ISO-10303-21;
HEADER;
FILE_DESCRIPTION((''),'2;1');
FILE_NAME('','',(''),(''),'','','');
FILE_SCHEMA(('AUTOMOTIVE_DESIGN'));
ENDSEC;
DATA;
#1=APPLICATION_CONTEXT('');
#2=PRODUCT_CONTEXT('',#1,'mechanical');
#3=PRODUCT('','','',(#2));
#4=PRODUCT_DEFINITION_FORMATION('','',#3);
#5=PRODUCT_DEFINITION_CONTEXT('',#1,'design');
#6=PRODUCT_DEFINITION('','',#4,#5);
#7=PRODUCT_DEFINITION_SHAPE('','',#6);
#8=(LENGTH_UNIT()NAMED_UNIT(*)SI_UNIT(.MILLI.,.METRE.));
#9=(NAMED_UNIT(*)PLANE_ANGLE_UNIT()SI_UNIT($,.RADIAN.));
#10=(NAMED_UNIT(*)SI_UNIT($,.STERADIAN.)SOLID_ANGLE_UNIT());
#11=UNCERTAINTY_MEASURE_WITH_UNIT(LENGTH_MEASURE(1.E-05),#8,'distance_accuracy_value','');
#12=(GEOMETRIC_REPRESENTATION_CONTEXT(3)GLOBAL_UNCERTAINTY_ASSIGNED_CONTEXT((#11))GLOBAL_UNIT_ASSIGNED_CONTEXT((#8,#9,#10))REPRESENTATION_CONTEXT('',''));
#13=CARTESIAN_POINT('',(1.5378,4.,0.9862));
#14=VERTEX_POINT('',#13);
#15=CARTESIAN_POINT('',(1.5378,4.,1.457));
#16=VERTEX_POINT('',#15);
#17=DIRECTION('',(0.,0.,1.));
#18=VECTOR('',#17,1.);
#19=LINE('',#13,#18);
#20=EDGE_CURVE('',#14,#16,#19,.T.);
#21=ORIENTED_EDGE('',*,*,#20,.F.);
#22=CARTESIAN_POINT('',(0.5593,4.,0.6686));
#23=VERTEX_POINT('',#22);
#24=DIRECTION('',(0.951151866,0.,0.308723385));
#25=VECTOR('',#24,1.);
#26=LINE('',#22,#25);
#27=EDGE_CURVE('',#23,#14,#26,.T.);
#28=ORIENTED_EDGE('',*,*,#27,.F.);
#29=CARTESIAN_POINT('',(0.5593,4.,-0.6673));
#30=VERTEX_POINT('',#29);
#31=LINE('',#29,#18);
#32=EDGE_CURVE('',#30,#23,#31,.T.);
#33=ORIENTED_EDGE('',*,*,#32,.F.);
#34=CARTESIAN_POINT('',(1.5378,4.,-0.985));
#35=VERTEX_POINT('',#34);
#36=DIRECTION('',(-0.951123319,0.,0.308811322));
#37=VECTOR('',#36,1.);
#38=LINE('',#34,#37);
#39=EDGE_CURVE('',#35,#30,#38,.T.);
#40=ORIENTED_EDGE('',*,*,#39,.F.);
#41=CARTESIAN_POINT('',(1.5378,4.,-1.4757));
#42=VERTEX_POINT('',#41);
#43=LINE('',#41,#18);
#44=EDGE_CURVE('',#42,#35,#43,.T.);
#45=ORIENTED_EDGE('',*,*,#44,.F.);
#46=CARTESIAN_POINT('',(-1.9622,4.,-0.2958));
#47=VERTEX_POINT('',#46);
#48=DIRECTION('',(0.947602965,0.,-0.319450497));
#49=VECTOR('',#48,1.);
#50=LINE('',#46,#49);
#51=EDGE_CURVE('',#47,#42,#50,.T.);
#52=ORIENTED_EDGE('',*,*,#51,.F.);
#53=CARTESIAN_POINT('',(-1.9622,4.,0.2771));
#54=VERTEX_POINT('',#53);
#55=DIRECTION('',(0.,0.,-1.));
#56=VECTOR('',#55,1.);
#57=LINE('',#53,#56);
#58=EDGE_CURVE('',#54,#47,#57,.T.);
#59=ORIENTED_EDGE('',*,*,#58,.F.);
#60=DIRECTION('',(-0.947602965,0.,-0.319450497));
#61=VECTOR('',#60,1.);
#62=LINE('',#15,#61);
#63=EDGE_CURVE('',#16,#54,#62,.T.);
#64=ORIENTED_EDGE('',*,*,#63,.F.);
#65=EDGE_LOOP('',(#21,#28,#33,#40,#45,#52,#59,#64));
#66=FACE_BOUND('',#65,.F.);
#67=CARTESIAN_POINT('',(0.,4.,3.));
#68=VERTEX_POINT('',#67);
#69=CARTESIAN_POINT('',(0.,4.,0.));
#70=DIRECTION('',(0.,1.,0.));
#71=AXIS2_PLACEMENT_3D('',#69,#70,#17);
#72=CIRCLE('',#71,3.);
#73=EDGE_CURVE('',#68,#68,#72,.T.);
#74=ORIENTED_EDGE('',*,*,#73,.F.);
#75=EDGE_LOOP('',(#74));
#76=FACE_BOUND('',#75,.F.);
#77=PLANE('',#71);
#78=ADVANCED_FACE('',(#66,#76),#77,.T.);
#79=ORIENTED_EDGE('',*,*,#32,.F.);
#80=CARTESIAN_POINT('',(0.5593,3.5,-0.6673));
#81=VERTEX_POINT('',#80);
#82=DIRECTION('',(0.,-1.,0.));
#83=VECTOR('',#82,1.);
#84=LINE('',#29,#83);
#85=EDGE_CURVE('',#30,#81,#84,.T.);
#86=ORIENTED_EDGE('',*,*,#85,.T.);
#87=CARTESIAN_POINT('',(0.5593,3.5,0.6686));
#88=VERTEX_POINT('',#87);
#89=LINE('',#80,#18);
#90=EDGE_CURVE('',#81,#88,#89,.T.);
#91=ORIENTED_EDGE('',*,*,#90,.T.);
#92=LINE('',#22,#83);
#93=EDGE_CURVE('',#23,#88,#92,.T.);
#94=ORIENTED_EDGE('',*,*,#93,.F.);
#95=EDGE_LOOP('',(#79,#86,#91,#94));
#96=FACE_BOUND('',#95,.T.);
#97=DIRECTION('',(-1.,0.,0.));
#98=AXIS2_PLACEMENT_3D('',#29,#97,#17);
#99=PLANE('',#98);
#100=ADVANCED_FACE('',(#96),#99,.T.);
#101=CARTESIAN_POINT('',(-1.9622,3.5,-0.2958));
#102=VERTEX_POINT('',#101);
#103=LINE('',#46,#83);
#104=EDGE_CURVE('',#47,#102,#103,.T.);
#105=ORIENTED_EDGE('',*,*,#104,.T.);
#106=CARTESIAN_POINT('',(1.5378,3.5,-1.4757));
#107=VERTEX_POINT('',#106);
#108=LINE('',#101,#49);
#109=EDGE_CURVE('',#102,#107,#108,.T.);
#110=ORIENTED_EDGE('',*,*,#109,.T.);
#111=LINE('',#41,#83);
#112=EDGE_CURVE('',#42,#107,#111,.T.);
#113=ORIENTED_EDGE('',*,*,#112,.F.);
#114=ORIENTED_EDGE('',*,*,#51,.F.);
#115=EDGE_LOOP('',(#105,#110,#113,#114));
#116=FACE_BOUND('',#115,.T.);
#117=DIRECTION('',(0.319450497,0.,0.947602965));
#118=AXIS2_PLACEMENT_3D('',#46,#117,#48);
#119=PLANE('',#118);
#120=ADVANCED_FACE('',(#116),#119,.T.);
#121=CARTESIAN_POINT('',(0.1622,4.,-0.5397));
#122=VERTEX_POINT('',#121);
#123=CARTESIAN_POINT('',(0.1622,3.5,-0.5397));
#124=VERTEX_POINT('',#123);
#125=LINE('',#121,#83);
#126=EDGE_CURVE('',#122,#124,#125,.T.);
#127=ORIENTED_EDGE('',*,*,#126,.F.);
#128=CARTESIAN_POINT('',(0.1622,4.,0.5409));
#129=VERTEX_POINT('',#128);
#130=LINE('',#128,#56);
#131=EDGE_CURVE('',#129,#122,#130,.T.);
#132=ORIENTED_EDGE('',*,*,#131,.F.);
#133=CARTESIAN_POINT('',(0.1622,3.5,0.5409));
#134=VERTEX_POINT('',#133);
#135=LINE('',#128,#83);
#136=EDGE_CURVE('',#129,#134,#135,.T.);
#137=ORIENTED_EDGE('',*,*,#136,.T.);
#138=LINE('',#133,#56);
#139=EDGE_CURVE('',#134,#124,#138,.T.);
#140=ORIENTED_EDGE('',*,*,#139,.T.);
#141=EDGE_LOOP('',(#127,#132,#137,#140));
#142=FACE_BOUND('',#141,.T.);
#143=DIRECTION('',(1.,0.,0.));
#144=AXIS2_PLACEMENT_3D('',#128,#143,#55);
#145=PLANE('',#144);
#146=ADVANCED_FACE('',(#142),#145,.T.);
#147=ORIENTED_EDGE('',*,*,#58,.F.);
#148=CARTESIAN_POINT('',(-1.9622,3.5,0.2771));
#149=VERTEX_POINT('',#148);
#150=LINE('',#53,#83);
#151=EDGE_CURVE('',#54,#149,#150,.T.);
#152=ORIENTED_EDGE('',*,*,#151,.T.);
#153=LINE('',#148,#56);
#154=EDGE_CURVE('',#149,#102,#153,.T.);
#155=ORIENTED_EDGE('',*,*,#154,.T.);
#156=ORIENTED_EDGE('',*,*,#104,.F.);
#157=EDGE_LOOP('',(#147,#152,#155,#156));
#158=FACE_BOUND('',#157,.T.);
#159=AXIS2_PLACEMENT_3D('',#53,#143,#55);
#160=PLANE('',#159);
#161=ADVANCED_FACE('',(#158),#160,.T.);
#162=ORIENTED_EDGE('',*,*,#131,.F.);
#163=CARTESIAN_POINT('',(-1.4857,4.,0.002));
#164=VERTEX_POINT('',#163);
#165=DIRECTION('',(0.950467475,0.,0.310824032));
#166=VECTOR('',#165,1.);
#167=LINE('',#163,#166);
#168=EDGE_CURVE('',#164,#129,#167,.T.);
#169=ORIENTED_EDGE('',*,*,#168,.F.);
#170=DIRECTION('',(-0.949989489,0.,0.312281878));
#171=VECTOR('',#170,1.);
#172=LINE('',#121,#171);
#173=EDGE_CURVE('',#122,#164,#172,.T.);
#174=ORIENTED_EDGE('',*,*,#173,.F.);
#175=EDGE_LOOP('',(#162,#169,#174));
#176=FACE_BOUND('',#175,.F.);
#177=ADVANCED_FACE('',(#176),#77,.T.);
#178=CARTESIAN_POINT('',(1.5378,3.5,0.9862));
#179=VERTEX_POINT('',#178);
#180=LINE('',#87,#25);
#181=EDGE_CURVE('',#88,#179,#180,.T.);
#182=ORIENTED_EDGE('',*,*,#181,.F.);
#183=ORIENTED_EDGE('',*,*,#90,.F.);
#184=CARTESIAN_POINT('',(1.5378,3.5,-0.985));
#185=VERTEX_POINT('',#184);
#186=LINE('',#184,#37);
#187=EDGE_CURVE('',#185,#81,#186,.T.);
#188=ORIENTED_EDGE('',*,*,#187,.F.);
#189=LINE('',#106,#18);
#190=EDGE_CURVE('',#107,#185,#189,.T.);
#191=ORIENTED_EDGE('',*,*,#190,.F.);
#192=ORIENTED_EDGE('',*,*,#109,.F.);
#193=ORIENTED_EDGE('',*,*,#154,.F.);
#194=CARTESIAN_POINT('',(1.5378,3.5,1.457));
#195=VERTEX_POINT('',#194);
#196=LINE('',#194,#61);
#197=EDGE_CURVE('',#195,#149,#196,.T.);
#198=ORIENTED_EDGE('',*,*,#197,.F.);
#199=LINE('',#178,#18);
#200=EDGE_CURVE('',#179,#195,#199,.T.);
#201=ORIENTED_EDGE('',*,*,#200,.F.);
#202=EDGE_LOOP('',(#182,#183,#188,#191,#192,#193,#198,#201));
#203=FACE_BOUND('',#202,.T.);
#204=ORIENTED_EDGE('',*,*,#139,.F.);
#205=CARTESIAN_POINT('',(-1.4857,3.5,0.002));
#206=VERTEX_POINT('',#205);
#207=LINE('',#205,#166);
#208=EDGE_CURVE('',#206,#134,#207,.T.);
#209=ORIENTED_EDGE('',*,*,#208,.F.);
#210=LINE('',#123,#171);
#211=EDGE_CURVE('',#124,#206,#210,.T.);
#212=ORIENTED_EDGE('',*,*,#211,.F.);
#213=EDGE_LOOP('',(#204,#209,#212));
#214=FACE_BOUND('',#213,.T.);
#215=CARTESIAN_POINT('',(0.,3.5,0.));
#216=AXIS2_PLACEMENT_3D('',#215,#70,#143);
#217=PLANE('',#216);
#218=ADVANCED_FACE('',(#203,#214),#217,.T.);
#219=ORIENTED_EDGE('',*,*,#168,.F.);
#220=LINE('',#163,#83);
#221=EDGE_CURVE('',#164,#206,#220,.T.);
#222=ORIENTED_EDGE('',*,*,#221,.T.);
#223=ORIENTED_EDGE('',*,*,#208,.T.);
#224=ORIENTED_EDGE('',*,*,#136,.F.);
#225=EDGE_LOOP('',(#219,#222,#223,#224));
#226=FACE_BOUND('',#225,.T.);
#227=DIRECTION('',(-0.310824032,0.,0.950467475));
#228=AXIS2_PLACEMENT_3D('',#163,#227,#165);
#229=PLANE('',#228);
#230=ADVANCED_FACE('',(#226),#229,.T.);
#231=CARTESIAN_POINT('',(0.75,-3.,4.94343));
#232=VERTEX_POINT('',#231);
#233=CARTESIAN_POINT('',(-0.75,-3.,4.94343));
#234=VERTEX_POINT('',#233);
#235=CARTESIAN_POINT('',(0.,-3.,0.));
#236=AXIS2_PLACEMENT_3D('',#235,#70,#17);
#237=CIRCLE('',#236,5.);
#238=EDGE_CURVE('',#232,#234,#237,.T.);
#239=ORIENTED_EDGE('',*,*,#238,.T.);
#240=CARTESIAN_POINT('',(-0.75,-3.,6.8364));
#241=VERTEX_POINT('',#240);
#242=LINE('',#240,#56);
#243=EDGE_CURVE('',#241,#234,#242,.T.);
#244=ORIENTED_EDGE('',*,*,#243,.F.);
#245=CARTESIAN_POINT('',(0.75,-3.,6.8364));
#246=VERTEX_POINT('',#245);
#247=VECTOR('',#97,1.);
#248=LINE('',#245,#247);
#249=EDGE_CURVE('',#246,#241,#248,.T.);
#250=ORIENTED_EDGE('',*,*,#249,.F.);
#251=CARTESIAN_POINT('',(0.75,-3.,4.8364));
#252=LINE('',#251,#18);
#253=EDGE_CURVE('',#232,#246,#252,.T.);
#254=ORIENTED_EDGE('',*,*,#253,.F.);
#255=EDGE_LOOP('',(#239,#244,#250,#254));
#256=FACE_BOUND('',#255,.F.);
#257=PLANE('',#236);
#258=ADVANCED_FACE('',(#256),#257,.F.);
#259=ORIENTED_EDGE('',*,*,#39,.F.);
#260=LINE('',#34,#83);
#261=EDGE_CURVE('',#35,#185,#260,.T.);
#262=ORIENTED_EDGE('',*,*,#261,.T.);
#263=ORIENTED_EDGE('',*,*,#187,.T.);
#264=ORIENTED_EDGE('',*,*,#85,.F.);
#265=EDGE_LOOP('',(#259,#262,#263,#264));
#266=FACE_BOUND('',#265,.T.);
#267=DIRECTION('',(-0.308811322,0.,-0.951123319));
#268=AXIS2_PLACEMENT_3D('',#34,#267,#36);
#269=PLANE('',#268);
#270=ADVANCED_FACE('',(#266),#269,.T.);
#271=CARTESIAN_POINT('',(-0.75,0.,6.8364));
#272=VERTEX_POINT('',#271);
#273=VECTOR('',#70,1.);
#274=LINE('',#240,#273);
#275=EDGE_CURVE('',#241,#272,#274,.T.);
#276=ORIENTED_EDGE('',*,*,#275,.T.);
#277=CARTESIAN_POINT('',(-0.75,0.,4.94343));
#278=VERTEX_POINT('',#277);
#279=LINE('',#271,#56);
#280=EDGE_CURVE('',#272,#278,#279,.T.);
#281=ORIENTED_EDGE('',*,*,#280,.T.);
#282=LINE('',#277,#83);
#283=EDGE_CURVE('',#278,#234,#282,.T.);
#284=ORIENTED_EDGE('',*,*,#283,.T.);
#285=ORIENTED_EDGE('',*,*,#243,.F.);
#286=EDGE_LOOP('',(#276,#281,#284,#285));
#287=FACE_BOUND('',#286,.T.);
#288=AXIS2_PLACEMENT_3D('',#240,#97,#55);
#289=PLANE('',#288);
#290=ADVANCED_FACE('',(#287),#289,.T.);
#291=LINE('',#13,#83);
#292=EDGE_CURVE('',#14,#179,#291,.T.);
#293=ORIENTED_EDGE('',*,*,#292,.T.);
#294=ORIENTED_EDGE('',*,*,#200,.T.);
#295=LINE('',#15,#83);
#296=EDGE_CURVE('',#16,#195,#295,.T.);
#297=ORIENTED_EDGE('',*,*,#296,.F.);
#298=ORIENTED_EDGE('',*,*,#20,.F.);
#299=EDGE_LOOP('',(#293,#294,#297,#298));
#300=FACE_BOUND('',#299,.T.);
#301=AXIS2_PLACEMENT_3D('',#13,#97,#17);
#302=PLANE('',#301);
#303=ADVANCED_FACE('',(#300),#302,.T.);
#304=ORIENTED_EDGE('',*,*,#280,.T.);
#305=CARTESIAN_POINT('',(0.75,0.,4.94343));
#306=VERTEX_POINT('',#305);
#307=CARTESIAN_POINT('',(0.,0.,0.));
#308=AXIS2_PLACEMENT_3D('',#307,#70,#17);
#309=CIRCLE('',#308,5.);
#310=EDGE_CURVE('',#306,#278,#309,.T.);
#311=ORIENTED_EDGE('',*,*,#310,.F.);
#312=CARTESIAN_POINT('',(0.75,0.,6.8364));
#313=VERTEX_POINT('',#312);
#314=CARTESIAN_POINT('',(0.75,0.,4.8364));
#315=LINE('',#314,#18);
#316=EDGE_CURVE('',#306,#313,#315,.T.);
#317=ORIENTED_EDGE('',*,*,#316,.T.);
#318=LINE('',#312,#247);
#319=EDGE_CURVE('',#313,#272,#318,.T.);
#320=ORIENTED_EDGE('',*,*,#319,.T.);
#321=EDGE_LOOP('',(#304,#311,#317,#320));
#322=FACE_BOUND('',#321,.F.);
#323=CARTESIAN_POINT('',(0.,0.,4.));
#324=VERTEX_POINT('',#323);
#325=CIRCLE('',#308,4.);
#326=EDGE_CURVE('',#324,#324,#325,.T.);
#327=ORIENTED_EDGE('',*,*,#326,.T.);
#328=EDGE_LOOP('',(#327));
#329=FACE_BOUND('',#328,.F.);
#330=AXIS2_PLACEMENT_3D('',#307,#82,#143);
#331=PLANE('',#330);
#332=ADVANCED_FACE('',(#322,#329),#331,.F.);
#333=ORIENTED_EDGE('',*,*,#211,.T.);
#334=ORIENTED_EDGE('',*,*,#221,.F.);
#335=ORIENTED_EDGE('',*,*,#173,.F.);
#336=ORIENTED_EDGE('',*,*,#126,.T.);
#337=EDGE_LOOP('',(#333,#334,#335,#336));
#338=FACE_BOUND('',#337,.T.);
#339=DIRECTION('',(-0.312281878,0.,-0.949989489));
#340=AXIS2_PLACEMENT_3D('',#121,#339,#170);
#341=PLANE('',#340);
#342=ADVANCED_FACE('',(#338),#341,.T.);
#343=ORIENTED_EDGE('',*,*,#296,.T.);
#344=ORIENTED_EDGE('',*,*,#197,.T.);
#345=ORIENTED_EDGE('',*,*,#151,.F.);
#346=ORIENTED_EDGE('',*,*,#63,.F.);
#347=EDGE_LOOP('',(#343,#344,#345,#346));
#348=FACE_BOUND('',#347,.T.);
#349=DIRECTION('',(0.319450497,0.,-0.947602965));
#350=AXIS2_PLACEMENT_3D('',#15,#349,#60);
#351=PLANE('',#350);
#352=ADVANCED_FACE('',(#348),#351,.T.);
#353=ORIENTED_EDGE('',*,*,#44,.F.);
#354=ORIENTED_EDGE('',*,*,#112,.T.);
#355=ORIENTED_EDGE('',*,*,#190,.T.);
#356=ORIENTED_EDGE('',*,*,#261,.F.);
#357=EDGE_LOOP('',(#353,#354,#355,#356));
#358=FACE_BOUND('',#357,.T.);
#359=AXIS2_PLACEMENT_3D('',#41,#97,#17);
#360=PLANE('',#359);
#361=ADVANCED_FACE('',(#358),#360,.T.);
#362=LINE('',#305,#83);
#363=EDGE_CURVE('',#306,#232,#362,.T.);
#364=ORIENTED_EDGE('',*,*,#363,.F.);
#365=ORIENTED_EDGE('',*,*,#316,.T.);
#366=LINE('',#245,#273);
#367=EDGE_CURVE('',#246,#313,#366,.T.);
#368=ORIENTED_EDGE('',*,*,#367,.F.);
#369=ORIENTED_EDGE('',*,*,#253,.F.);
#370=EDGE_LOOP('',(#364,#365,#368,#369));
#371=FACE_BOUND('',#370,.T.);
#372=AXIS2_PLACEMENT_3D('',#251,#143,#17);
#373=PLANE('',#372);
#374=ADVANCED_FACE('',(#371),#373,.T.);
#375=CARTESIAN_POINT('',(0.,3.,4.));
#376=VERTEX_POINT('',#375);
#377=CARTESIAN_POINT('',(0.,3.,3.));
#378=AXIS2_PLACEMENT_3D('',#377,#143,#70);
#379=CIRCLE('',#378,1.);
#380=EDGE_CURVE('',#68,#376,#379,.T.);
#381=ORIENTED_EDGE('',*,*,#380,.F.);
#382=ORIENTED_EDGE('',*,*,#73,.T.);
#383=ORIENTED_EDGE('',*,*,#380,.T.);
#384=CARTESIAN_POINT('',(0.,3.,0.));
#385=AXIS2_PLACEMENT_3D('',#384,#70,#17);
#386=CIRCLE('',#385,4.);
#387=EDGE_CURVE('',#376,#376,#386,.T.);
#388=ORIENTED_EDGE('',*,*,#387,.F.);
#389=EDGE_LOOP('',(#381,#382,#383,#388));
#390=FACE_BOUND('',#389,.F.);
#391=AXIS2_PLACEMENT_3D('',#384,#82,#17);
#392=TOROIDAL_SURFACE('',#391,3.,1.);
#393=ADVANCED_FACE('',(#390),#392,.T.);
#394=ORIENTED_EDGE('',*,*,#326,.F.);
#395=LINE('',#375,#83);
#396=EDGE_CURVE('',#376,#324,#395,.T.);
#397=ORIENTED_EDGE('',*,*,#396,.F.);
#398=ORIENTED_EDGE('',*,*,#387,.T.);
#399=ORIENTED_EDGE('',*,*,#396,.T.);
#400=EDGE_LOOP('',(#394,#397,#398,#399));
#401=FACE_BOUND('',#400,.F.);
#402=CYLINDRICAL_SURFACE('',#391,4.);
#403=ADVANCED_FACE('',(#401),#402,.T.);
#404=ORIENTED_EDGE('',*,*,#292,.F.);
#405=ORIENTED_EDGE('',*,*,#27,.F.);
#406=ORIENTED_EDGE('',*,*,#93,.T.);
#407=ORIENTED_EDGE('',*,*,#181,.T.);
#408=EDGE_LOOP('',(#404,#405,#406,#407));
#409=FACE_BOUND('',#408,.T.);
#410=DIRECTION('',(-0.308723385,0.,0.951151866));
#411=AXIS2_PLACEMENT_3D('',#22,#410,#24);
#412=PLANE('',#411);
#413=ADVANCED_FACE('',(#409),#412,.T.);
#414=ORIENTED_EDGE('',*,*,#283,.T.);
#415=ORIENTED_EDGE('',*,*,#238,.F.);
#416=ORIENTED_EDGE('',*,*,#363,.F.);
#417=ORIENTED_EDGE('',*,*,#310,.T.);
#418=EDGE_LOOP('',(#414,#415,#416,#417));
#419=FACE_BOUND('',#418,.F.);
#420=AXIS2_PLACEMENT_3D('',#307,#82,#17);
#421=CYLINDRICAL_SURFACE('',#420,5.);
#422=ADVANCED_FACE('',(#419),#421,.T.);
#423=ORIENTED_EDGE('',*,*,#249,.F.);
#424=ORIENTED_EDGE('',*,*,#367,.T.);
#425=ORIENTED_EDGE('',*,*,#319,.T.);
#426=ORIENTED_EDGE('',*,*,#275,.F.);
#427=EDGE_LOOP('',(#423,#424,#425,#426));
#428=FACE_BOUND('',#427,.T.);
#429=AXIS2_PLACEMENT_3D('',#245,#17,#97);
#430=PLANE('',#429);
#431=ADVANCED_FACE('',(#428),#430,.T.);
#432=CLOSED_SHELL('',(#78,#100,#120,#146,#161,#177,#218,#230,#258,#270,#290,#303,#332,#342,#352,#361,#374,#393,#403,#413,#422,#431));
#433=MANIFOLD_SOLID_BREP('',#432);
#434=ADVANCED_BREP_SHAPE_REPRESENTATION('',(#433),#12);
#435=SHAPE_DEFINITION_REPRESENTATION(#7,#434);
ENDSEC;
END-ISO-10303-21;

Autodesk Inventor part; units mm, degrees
ref_plane "YZ Plane" through (0, 0, 0) normal (1, 0, 0) x (0, 1, 0)
ref_plane "XZ Plane" through (0, 0, 0) normal (0, 1, 0) x (-1, 0, 0)
ref_plane "XY Plane" through (0, 0, 0) normal (0, 0, 1) x (1, 0, 0)
sketch "Skizze1" plane through (0, 0, 0) normal (1, 0, 0) x (0, 1, 0)
  line L0 (4, 0) -> (4, 3)
  arc A0 (4, 3) -> (3, 4) centre (3, 3) ccw
  line L1 (3, 4) -> (0, 4)
  line L2 (0, 4) -> (0, 5)
  line L3 (0, 5) -> (-3, 5)
  line L4 (-3, 5) -> (-3, 2)
  line L5 (0, 0) -> (4, 0)
  line L6 (-3, 2) -> (-3, 0)
  line L7 (-3, 0) -> (0, 0)
  point P0 (0, 2)
  dimension "d0" = 2
  dimension "d1" = 4
  dimension "d2" = 3
  dimension "d3" = 5
  dimension "d4" = 3
  dimension "d5" = 1
  dimension "d6" = 1
revolve "Umdrehung1" add sketch "Skizze1" angle 360 about axis through (0, 0, 0) along (0, 1, 0)
sketch "Skizze2" plane through (0, 4, 0) normal (0, 1, 0) x (1, 0, 0)
  line L0 (-1.9622, -1.4344) -> (-1.9622, 1.4984) construction
  line L1 (-1.9622, 1.4984) -> (1.5378, 1.4984) construction
  line L2 (1.5378, 1.4984) -> (1.5378, -1.4344) construction
  line L3 (1.5378, -1.4344) -> (-1.9622, -1.4344) construction
  line L4 (1.5378, -1.457) -> (-1.9622, -0.2771)
  line L5 (-1.9622, -0.2771) -> (-1.9622, 0.2958)
  line L6 (-1.9622, 0.2958) -> (1.5378, 1.4757)
  line L7 (1.5378, 1.4757) -> (1.5378, 0.985)
  line L8 (1.5378, 0.985) -> (0.5593, 0.6673)
  line L9 (0.5593, 0.6673) -> (0.5593, -0.6686)
  line L10 (0.5593, -0.6686) -> (1.5378, -0.9862)
  line L11 (1.5378, -0.9862) -> (1.5378, -1.457)
  line L12 (0.1622, 0.5397) -> (-1.4857, -0.002)
  line L13 (-1.4857, -0.002) -> (0.1622, -0.5409)
  line L14 (0.1622, -0.5409) -> (0.1622, 0.5397)
  point P0 (0, 0)
extrude "Extrusion1" cut sketch "Skizze2" against normal blind 0.5
sketch "Skizze4" plane through (0, -3, 0) normal (0, -1, 0) x (1, 0, 0)
  line L0 (0.75, 6.8364) -> (-0.75, 6.8364)
  line L1 (-0.75, 6.8364) -> (-0.75, 4.8364)
  line L2 (-0.75, 4.8364) -> (0.75, 4.8364)
  line L3 (0.75, 4.8364) -> (0.75, 6.8364)
  point P0 (0, 0)
  dimension "d15" = 1.5
  dimension "d16" = 2
  dimension "d19" = 0.75
extrude "Extrusion3" add sketch "Skizze4" against normal blind 3
properties part number "ButtonA_neu"
